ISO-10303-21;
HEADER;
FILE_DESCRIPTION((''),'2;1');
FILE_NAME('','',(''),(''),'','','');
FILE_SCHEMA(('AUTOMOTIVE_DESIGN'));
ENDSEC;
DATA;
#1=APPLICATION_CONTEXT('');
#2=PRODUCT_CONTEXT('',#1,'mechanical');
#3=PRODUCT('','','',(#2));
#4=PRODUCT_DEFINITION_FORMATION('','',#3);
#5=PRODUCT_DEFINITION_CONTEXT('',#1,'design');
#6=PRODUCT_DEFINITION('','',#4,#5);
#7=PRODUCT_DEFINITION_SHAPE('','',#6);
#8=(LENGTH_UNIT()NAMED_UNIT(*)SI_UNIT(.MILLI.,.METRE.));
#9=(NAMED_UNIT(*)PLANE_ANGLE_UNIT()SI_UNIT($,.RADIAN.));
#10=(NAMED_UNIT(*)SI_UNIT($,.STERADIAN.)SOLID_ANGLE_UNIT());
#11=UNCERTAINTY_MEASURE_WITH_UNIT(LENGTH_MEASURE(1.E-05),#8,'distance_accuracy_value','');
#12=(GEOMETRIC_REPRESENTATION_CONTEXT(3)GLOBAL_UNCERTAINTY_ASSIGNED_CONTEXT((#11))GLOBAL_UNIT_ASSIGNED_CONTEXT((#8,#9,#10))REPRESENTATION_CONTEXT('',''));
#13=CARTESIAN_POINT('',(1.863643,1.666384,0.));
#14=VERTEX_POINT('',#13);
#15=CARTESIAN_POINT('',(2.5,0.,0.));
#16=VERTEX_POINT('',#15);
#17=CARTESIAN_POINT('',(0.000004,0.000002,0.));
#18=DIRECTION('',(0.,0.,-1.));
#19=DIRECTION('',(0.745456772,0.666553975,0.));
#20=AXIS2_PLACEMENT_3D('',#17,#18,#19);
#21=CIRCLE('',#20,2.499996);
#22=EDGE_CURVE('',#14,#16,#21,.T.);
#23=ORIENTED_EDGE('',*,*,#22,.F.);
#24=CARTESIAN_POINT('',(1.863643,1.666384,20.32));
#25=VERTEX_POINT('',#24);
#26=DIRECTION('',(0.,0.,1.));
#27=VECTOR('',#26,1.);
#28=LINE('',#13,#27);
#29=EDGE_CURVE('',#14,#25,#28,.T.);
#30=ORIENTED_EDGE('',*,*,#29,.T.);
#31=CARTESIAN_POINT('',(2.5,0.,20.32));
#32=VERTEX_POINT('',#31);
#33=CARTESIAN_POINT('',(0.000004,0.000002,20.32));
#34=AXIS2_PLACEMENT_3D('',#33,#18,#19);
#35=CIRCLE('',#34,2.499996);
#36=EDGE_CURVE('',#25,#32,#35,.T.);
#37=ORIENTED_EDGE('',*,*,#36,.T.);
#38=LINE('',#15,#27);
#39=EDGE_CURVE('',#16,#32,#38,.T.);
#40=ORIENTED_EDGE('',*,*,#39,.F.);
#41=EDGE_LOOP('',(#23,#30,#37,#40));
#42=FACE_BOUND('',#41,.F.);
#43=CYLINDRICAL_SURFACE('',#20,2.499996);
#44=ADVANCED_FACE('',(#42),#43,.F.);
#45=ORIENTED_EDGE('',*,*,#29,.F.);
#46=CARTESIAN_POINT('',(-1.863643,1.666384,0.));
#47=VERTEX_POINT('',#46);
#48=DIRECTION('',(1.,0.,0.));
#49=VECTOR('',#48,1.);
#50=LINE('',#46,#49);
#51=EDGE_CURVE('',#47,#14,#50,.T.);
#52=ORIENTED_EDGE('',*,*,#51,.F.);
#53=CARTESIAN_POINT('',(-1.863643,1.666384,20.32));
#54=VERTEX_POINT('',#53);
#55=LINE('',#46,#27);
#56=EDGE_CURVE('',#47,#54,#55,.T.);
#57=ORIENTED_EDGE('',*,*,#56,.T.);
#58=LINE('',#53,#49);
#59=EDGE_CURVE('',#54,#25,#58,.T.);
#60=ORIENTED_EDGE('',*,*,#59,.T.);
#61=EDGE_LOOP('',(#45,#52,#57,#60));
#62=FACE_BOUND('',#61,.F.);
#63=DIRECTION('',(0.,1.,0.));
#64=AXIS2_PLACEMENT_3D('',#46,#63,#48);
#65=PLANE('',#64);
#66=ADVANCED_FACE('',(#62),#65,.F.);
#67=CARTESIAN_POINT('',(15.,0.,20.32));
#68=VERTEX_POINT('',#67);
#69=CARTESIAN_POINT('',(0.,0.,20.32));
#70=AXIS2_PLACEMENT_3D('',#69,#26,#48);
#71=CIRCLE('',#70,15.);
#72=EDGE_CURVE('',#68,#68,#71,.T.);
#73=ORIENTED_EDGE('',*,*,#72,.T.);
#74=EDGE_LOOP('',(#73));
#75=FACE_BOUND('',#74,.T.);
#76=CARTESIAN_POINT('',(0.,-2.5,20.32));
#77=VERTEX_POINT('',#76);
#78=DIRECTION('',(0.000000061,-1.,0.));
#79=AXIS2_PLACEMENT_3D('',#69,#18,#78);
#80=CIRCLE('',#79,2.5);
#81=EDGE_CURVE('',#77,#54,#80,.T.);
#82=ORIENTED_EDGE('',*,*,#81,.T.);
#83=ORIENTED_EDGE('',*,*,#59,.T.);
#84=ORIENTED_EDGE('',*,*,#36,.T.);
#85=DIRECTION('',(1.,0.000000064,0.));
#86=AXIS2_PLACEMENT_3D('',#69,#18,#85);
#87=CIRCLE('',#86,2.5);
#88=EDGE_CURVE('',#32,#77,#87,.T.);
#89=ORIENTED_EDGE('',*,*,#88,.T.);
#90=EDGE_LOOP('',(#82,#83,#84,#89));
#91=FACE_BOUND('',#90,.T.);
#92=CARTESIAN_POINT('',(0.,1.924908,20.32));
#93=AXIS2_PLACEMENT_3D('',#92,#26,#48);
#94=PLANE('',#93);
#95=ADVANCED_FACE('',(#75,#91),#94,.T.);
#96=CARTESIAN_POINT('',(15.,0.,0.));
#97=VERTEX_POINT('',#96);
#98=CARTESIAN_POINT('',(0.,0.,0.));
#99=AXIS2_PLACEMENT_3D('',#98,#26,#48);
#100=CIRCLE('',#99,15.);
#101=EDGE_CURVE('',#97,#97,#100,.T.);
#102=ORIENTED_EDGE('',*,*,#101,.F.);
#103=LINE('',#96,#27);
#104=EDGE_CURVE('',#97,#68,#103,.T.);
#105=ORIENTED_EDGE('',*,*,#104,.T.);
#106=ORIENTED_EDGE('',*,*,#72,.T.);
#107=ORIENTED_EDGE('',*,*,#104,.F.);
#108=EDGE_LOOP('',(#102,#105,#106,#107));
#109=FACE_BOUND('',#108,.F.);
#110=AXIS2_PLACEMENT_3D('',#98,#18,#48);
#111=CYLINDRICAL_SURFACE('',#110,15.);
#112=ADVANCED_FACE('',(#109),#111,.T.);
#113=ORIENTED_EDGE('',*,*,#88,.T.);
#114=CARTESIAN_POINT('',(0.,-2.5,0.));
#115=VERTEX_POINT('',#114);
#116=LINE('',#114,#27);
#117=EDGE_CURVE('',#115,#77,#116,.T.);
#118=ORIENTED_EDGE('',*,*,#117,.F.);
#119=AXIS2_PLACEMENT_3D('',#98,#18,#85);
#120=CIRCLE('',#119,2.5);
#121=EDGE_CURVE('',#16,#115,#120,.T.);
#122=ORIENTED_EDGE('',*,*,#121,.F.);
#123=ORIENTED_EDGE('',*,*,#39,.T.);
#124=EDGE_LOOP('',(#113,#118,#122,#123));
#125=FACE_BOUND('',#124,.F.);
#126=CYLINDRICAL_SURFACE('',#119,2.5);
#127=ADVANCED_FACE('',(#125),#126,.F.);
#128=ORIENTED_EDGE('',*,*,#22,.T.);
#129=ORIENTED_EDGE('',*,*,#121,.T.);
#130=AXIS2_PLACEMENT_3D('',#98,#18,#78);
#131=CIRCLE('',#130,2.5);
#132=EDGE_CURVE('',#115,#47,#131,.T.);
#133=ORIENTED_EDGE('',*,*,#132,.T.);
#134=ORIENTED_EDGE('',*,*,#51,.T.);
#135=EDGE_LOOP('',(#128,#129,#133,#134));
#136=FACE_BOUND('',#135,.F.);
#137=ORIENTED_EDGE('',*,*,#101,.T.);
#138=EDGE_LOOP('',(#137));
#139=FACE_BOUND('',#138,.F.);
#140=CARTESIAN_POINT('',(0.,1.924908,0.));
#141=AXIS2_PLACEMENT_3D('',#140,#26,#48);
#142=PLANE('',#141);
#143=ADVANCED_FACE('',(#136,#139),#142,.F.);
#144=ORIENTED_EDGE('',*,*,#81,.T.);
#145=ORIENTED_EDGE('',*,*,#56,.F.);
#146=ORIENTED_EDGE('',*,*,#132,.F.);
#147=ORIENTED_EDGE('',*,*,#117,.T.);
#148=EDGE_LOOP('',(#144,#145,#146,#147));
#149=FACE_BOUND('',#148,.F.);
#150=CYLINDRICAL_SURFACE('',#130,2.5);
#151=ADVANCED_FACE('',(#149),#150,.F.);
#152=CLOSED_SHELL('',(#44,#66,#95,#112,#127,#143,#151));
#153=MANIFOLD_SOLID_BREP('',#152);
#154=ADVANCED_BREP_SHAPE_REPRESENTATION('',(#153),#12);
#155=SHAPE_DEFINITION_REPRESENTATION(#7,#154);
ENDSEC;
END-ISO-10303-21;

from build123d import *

# Parameters (mm, degrees)
F0_R     = 15
F1_DEPTH = 20.32
F2_DEPTH = 20.32


with BuildPart() as f1:
    # F0 (on Top) → F1 (new body)
    with BuildSketch(Plane.XY):
        Circle(F0_R)
        with BuildLine():
            ThreePointArc((1.863643, 1.666384), (2.335499, 0.891878), (2.5, 0))
            ThreePointArc((2.5, 0), (1.767767, -1.767767), (0, -2.5))
            ThreePointArc((0, -2.5), (-2.2821, -1.020794), (-1.863643, 1.666384))
            ThreePointArc((-1.863643, 1.666384), (0, 2.5), (1.863643, 1.666384))
        make_face(mode=Mode.SUBTRACT)
    extrude(amount=F1_DEPTH)

    # F0 (on Top) → F2 (join)
    with BuildSketch(Plane.XY):
        with BuildLine():
            Line((0, 1.666384), (1.863643, 1.666384))
            ThreePointArc((1.863643, 1.666384), (0, 2.5), (-1.863643, 1.666384))
            Line((-1.863643, 1.666384), (0, 1.666384))
        make_face()
    extrude(amount=F2_DEPTH)


solid = f1.part
